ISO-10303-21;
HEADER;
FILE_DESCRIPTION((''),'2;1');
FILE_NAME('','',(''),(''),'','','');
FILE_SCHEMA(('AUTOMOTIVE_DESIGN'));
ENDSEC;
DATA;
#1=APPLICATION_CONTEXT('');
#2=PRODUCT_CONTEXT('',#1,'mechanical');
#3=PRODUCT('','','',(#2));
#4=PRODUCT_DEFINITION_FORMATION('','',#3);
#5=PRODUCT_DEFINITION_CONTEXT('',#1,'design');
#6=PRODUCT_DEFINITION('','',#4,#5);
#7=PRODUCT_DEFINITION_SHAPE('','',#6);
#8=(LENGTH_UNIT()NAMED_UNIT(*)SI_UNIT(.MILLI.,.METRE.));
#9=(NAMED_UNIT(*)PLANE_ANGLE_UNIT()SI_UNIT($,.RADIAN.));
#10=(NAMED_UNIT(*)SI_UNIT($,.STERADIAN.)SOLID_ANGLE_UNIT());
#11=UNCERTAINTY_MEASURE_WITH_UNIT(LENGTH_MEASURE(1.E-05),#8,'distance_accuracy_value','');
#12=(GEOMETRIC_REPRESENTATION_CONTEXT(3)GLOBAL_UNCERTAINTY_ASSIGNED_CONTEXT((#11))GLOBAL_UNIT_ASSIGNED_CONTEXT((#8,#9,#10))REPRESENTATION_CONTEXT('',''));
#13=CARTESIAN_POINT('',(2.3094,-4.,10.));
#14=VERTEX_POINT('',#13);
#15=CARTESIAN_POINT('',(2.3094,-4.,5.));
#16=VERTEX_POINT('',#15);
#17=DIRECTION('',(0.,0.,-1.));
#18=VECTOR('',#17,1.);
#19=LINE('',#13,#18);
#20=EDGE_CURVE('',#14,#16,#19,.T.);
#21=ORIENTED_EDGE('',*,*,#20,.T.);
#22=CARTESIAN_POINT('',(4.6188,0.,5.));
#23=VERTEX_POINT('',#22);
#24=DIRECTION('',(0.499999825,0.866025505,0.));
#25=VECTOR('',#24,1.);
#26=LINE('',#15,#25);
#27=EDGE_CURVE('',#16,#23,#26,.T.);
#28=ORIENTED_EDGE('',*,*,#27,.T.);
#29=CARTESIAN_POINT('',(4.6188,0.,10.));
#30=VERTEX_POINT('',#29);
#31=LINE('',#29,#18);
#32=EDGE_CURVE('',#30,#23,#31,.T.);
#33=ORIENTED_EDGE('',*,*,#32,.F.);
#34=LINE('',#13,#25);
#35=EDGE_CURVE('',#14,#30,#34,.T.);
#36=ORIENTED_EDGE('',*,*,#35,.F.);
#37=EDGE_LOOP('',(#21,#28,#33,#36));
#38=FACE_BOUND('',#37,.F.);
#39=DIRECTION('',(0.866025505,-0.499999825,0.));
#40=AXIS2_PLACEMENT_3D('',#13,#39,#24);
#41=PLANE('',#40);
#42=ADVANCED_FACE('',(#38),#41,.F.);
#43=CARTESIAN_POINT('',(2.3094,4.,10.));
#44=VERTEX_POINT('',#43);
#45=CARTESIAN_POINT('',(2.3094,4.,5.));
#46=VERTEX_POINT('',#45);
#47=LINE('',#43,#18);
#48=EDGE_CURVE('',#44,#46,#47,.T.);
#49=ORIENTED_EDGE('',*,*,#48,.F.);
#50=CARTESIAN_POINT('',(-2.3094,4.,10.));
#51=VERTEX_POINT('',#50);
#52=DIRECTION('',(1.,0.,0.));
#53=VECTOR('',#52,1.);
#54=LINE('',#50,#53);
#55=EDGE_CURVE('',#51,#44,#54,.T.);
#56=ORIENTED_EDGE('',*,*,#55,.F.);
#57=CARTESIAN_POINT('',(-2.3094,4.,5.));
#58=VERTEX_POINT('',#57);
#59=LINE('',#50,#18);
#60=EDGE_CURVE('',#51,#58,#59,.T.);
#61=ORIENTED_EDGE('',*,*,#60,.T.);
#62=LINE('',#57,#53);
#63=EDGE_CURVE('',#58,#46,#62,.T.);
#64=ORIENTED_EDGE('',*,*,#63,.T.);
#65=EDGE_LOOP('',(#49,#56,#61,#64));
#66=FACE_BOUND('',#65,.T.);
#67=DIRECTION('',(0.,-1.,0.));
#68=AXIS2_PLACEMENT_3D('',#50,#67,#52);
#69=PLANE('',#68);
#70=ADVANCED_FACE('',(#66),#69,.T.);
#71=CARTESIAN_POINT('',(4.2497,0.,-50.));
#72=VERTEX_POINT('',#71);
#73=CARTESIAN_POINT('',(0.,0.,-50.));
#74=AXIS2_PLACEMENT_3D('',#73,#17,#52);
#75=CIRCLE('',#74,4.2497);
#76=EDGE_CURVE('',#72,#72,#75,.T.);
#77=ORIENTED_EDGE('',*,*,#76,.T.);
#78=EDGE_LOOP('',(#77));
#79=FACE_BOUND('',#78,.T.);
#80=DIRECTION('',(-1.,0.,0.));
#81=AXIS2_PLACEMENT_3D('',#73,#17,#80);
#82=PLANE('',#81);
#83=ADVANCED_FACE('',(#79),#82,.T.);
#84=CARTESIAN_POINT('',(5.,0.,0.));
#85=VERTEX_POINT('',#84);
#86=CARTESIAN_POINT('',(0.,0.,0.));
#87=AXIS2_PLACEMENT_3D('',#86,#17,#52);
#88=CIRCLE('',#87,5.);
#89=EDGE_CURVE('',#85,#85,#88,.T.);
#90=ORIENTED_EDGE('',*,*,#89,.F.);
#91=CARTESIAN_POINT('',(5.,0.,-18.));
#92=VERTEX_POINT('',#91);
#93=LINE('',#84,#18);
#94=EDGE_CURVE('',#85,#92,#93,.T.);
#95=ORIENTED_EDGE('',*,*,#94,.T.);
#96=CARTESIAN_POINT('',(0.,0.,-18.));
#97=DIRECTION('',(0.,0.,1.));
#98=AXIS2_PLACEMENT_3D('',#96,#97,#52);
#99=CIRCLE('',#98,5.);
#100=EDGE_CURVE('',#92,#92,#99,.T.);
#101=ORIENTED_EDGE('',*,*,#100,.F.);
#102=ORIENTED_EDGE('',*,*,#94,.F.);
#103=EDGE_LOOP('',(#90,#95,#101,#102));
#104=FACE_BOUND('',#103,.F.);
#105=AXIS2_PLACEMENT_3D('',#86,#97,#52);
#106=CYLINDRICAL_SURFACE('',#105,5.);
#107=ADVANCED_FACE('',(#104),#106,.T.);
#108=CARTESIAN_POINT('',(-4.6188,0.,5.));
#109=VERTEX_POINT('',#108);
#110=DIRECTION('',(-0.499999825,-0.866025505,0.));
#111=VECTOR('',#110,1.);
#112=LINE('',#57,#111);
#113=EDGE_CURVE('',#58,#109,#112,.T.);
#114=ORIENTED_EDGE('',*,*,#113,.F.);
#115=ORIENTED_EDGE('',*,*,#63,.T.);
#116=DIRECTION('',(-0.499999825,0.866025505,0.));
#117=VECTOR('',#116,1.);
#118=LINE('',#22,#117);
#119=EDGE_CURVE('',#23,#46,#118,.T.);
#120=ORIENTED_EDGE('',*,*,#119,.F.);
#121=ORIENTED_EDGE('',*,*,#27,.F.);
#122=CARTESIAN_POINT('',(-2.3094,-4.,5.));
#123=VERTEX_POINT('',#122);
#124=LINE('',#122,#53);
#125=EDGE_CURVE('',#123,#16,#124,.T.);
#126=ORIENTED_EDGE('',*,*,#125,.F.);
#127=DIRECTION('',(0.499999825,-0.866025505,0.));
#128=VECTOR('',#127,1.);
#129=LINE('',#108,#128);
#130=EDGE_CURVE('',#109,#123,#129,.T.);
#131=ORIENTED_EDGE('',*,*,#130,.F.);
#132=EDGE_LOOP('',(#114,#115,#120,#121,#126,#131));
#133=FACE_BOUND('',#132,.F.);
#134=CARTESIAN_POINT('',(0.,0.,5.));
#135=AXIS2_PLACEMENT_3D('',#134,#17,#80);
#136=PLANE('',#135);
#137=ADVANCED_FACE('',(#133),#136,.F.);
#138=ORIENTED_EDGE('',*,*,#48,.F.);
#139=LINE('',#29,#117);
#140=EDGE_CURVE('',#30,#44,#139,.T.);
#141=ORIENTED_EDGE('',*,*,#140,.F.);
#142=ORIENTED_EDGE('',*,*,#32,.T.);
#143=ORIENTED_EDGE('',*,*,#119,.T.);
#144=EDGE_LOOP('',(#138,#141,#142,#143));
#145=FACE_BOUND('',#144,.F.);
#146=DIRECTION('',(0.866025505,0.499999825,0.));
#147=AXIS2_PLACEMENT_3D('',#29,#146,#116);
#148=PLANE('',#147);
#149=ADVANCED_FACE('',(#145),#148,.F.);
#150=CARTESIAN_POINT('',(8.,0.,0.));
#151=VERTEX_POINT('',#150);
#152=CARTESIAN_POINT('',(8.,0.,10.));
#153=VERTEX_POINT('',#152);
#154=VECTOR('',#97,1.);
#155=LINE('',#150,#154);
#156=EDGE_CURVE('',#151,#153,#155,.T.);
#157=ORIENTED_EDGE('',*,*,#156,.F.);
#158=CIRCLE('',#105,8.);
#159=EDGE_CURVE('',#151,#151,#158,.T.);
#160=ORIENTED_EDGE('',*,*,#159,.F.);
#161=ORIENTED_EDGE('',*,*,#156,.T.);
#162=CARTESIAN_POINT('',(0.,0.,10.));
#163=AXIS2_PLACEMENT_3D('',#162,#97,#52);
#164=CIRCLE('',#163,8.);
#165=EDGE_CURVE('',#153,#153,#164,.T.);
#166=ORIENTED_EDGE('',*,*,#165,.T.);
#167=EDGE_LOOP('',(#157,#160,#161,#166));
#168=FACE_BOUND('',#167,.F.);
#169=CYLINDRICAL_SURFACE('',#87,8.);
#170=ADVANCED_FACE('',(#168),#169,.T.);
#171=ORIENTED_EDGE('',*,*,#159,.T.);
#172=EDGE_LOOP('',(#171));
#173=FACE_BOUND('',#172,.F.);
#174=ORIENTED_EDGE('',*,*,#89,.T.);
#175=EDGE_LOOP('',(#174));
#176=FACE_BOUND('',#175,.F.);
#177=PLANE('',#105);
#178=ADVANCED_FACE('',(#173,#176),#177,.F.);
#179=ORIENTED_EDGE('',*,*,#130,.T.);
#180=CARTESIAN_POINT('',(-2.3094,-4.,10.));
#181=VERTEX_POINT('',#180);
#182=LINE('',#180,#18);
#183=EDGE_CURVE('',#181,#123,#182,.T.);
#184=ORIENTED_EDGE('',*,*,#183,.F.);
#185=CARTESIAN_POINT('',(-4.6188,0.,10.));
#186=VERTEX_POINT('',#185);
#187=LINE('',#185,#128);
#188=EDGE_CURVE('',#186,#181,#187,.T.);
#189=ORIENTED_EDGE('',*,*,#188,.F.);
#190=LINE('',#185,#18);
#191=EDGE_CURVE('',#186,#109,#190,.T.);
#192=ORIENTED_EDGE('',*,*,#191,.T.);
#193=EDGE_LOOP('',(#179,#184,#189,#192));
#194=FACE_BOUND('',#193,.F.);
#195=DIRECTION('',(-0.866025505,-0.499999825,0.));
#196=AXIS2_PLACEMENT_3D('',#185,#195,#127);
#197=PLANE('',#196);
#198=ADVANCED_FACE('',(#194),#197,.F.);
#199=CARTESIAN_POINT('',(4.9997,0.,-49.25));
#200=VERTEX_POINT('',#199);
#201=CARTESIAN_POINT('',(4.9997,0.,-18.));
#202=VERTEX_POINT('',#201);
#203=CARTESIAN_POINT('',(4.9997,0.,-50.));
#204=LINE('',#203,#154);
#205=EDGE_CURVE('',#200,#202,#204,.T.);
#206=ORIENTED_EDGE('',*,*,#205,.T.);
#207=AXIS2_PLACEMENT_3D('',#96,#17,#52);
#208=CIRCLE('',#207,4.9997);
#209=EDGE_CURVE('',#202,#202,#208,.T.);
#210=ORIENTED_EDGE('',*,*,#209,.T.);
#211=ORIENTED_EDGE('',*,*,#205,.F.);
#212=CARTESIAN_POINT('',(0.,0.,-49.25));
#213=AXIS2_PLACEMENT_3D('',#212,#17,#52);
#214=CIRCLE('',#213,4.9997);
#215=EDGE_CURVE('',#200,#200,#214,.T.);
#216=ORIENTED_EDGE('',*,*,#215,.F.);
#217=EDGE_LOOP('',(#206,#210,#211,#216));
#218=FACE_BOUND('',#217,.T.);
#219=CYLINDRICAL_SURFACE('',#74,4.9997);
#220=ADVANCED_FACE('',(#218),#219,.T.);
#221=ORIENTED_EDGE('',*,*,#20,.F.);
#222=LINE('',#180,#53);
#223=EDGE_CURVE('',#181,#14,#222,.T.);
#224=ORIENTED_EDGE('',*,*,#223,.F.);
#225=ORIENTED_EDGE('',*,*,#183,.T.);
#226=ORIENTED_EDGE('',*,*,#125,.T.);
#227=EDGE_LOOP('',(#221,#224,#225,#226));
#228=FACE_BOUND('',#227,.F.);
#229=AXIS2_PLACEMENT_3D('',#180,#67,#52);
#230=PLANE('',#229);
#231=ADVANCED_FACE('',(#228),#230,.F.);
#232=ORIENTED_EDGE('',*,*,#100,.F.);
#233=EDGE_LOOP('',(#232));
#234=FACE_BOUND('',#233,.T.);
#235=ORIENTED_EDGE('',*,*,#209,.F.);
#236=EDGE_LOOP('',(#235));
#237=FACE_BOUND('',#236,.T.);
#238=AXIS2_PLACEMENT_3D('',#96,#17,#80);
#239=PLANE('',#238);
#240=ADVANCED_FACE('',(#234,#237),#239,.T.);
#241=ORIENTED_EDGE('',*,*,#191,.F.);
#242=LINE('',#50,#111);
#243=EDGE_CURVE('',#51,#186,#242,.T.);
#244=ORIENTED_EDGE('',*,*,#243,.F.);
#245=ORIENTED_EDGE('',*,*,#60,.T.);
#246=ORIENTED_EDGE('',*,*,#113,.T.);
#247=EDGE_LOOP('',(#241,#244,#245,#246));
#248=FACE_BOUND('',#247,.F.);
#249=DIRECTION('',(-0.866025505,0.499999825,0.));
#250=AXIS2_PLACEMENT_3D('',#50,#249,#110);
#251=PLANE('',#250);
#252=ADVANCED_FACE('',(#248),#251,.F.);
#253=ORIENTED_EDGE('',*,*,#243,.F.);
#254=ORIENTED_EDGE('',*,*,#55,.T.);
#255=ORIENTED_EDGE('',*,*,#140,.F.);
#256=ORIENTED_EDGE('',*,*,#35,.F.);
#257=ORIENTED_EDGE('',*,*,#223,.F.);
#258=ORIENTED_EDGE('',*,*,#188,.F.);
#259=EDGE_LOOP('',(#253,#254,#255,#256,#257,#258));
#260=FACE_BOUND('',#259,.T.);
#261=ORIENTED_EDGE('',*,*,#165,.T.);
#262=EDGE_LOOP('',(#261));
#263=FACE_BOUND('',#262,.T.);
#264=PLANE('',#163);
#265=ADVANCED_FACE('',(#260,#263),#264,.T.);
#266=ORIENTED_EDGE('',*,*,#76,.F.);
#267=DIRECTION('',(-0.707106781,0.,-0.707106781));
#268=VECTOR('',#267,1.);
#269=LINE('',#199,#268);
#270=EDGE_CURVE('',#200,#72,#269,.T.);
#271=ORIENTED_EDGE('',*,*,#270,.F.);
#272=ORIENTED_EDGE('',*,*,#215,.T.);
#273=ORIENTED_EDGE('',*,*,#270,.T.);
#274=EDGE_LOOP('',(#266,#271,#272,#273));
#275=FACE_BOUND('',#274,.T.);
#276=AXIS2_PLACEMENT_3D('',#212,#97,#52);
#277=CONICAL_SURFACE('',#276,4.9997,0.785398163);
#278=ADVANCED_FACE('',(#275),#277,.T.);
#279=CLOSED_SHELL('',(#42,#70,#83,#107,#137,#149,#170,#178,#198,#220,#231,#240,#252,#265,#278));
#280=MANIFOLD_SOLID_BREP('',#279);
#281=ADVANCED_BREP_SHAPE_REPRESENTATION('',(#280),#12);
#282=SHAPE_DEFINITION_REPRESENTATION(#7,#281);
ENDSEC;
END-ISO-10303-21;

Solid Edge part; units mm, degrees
sketch "Sketch1" plane through (0, 0, 0) normal (0, 0, 1) x (1, 0, 0)
  circle A0 centre (0, 0) radius 8
  dimension "D1" = 16
extrude "Protrusion1" add sketch "Sketch1" along normal blind 10
sketch "Sketch2" plane through (0, 0, 0) normal (0, 0, -1) x (1, 0, 0)
  circle A0 centre (0, 0) radius 5
extrude "Protrusion2" add sketch "Sketch2" along normal blind 50
sketch "Sketch3" plane through (0, 0, -50) normal (0, 0, -1) x (1, 0, 0)
  circle A0 centre (0, 0) radius 4.9997
extrude "Cutout1" cut sketch "Sketch3" against normal blind 32 flip side to cut
chamfer "Chamfer_1" distance 0.75 angle 45 1 edges at (-4.9997, 0, -50)
sketch "Sketch4" plane through (0, 0, 10) normal (0, 0, 1) x (1, 0, 0)
  line L0 (-2.3094, 4) -> (2.3094, 4)
  line L1 (4.6188, 0) -> (2.3094, 4)
  line L2 (2.3094, -4) -> (4.6188, 0)
  line L3 (-2.3094, -4) -> (2.3094, -4)
  line L4 (-4.6188, 0) -> (-2.3094, -4)
  line L5 (-2.3094, 4) -> (-4.6188, 0)
  dimension "D1" = 8
extrude "Cutout2" cut sketch "Sketch4" against normal blind 5
properties part number "119167" material "Stainless Steel, 304"
